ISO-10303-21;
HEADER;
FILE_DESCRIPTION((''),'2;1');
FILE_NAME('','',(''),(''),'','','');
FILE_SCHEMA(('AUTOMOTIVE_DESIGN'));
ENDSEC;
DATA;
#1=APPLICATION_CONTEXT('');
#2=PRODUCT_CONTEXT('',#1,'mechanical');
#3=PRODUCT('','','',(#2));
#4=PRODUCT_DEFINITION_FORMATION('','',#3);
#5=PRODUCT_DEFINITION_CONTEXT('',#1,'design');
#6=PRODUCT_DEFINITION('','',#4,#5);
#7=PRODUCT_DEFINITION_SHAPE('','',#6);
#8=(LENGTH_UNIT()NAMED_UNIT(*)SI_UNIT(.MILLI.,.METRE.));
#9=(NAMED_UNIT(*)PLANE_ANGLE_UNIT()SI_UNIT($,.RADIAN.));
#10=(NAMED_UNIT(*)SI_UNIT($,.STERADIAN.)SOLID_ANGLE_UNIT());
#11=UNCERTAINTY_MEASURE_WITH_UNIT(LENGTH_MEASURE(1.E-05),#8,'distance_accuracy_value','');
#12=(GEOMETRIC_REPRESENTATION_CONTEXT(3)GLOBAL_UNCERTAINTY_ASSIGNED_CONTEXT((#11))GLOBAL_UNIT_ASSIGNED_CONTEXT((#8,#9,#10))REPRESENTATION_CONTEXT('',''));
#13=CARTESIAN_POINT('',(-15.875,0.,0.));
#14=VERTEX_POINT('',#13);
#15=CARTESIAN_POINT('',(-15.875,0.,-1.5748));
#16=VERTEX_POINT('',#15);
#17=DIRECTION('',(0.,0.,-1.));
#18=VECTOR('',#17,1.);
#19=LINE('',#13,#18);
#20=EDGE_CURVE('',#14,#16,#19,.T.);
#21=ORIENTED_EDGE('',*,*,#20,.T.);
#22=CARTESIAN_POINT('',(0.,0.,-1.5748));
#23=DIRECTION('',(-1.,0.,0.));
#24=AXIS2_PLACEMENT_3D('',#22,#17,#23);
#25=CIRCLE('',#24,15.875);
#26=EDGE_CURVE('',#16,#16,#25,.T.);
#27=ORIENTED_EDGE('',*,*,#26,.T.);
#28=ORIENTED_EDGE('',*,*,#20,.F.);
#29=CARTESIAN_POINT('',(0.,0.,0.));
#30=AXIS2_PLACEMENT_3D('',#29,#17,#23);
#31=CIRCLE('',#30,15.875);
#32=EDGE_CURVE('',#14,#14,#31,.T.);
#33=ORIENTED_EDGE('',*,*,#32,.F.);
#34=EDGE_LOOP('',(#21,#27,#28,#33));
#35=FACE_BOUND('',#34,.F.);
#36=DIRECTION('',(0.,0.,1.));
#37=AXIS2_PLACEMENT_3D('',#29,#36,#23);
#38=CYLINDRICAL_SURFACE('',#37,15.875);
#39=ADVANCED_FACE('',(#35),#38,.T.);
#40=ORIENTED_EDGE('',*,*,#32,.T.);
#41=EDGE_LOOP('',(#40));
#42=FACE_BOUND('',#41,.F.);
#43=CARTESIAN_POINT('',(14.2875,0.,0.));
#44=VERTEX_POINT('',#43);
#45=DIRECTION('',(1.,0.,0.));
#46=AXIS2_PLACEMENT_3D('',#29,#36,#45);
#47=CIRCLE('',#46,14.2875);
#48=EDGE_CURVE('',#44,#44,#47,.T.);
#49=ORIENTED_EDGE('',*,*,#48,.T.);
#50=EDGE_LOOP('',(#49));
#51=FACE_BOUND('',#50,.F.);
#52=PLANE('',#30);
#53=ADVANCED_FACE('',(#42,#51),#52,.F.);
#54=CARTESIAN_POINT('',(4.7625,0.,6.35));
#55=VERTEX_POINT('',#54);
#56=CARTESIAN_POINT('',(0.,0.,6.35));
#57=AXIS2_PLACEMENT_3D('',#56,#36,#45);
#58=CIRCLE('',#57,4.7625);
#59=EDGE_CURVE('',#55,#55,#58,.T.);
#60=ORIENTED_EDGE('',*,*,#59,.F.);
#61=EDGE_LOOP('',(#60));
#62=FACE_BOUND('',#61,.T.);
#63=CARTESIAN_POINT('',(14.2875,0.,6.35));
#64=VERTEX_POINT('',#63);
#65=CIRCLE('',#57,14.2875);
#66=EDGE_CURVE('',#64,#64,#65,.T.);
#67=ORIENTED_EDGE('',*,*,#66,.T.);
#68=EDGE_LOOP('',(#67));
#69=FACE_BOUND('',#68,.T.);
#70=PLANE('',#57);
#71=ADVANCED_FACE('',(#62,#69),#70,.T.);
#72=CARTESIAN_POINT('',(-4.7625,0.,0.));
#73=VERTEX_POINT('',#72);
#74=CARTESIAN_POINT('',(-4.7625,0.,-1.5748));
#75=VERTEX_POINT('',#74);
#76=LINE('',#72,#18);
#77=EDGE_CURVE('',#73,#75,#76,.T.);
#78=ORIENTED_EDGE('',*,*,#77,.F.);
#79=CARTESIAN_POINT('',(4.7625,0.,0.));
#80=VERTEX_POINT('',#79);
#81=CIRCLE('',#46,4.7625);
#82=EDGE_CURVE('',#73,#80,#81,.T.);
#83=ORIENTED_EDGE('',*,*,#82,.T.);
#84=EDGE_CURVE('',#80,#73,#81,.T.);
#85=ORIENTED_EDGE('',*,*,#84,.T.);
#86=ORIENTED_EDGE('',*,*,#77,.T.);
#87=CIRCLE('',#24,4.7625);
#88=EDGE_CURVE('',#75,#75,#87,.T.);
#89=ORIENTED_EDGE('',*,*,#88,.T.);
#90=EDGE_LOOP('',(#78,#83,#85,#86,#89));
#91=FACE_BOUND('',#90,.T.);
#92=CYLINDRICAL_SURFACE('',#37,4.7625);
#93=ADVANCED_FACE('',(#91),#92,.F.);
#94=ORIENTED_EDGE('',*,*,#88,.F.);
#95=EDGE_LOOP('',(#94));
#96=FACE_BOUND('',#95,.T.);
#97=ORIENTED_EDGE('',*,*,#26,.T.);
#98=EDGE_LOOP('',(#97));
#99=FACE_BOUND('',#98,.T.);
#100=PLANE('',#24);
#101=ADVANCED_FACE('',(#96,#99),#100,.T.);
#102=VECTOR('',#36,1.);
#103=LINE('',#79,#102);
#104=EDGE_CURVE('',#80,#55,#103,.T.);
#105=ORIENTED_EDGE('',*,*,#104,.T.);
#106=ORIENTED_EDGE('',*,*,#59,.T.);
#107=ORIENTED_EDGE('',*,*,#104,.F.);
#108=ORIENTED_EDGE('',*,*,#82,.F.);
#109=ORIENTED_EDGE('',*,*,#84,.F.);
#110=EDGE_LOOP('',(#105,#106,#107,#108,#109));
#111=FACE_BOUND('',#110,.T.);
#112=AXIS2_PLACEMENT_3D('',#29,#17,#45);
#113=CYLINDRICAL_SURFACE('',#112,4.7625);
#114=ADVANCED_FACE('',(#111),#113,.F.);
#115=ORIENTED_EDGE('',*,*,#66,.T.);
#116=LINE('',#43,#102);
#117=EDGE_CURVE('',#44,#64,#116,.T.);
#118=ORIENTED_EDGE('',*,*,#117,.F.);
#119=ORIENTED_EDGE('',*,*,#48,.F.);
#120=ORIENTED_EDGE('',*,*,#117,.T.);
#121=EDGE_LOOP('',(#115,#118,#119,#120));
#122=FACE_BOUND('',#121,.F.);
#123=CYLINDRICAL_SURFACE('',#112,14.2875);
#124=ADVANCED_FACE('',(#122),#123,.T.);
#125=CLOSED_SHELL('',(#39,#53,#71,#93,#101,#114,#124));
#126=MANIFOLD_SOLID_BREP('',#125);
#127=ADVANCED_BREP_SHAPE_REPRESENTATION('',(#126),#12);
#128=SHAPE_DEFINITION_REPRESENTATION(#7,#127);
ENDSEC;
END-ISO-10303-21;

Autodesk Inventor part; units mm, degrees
ref_plane "YZ Plane" through (0, 0, 0) normal (1, 0, 0) x (0, 1, 0)
ref_plane "XZ Plane" through (0, 0, 0) normal (0, 1, 0) x (-1, 0, 0)
ref_plane "XY Plane" through (0, 0, 0) normal (0, 0, 1) x (1, 0, 0)
sketch "Sketch1" plane through (0, 0, 0) normal (0, 0, 1) x (1, 0, 0)
  circle A0 centre (0, 0) radius 4.7625
  circle A1 centre (0, 0) radius 14.2875
  dimension "d0" = 9.525
  dimension "d1" = 28.575
extrude "Extrusion1" add sketch "Sketch1" along normal blind 6.35
sketch "Sketch2" plane through (0, 0, 0) normal (0, 0, -1) x (-1, 0, 0)
  circle A0 centre (0, 0) radius 4.7625 projected
  circle A1 centre (0, 0) radius 14.2875 projected
  circle A2 centre (0, 0) radius 15.875
  dimension "d4" = 31.75
extrude "Extrusion2" add sketch "Sketch2" along normal blind 1.5748 contours A1 | A2
properties part number "375 ID 1125 OD flanged"
